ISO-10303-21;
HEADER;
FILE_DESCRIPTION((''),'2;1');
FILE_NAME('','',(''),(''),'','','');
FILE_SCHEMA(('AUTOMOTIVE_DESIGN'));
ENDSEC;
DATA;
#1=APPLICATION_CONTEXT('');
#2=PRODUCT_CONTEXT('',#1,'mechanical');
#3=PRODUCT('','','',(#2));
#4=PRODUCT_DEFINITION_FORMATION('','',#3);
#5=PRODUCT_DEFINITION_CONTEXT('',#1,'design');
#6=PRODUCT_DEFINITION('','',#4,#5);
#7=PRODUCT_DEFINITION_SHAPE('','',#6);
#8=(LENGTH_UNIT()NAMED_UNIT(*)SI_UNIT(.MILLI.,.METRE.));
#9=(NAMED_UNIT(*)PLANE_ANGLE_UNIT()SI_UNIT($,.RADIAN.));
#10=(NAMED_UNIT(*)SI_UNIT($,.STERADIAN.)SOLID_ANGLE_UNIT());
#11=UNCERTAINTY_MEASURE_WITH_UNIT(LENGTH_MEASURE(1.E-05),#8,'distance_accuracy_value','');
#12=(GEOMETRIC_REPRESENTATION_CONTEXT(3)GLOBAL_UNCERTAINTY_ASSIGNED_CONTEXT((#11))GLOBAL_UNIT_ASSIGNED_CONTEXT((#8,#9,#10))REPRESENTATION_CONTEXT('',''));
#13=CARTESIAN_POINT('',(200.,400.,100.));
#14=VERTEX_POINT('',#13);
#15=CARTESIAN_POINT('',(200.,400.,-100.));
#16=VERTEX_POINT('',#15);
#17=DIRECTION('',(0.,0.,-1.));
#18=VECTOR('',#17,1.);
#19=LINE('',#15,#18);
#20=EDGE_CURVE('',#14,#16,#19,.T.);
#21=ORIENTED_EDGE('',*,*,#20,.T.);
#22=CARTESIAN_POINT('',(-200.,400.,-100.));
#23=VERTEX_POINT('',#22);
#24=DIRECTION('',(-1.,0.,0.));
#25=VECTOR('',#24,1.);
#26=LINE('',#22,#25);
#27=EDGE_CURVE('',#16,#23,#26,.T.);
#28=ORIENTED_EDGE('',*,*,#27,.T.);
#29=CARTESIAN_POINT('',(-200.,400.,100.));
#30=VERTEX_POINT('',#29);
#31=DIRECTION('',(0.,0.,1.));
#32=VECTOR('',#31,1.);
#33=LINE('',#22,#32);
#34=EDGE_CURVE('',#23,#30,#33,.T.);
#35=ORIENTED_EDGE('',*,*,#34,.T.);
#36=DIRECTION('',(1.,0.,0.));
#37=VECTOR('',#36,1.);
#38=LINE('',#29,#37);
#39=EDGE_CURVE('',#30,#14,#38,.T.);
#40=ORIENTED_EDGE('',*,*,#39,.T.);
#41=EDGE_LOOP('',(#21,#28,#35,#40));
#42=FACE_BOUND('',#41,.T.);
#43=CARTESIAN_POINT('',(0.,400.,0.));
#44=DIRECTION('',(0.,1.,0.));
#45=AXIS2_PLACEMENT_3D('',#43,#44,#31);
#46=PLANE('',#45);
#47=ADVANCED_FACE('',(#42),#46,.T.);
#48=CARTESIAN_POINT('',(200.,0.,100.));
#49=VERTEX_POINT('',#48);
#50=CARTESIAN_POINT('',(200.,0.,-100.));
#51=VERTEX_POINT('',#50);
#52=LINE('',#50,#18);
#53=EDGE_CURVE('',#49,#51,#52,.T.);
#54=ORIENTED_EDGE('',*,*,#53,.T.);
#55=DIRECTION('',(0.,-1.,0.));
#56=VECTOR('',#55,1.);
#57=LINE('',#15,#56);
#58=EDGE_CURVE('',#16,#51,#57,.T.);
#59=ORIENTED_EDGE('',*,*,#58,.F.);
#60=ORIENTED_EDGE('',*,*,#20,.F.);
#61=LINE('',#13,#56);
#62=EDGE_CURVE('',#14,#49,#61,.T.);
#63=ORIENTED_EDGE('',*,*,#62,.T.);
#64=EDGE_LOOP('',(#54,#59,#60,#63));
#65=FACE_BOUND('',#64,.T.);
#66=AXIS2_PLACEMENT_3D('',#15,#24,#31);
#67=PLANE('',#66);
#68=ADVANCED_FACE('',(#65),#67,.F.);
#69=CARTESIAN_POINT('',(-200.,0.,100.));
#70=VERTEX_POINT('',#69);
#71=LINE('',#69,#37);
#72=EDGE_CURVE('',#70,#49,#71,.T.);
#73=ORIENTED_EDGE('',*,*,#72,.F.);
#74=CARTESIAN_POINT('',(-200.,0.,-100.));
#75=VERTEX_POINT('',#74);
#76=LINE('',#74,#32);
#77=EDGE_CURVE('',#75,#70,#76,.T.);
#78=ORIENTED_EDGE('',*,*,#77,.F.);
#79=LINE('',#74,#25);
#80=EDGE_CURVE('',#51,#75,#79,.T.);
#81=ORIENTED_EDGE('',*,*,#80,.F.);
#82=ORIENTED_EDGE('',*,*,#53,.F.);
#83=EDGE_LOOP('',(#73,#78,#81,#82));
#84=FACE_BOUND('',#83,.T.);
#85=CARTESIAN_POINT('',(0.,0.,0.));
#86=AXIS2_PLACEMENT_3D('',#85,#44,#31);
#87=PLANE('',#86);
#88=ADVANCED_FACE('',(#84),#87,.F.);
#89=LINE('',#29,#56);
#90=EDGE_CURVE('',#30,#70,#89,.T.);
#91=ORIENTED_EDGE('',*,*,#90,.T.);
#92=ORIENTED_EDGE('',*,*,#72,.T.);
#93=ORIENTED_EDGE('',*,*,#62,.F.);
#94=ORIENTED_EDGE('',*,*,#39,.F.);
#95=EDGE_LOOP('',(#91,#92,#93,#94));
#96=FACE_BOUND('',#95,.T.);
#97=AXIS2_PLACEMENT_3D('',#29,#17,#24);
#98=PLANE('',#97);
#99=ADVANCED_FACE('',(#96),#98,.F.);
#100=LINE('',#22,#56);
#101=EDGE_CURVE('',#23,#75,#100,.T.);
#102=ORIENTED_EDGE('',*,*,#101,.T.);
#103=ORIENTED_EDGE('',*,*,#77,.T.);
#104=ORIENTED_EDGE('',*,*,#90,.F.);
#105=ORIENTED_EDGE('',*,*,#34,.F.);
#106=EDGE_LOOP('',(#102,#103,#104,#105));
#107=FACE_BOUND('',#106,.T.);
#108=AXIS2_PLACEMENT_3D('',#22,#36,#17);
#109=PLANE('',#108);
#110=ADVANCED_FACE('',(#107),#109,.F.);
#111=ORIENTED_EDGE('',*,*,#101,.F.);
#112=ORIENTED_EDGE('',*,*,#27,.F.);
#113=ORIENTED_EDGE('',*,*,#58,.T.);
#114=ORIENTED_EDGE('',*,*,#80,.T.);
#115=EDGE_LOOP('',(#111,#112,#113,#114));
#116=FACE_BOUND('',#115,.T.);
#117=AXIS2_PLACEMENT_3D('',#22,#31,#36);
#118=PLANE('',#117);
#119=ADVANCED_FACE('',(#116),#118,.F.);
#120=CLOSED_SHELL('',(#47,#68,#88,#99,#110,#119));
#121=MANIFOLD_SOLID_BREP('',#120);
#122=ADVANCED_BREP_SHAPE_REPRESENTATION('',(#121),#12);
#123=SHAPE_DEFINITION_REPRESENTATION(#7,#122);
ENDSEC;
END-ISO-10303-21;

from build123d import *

# Parameters (mm, degrees)
ESQUISSE1_W        = 400
ESQUISSE1_H        = 200
BOSS_EXTRU_1_DEPTH = 400


with BuildPart() as part:
    # Esquisse1 → Boss.-Extru.1 (new body)
    with BuildSketch(Plane(origin=(0, 0, 0), x_dir=(1, 0, 0), z_dir=(0, 1, 0))):
        Rectangle(ESQUISSE1_W, ESQUISSE1_H)
    extrude(amount=BOSS_EXTRU_1_DEPTH)


solid = part.part
